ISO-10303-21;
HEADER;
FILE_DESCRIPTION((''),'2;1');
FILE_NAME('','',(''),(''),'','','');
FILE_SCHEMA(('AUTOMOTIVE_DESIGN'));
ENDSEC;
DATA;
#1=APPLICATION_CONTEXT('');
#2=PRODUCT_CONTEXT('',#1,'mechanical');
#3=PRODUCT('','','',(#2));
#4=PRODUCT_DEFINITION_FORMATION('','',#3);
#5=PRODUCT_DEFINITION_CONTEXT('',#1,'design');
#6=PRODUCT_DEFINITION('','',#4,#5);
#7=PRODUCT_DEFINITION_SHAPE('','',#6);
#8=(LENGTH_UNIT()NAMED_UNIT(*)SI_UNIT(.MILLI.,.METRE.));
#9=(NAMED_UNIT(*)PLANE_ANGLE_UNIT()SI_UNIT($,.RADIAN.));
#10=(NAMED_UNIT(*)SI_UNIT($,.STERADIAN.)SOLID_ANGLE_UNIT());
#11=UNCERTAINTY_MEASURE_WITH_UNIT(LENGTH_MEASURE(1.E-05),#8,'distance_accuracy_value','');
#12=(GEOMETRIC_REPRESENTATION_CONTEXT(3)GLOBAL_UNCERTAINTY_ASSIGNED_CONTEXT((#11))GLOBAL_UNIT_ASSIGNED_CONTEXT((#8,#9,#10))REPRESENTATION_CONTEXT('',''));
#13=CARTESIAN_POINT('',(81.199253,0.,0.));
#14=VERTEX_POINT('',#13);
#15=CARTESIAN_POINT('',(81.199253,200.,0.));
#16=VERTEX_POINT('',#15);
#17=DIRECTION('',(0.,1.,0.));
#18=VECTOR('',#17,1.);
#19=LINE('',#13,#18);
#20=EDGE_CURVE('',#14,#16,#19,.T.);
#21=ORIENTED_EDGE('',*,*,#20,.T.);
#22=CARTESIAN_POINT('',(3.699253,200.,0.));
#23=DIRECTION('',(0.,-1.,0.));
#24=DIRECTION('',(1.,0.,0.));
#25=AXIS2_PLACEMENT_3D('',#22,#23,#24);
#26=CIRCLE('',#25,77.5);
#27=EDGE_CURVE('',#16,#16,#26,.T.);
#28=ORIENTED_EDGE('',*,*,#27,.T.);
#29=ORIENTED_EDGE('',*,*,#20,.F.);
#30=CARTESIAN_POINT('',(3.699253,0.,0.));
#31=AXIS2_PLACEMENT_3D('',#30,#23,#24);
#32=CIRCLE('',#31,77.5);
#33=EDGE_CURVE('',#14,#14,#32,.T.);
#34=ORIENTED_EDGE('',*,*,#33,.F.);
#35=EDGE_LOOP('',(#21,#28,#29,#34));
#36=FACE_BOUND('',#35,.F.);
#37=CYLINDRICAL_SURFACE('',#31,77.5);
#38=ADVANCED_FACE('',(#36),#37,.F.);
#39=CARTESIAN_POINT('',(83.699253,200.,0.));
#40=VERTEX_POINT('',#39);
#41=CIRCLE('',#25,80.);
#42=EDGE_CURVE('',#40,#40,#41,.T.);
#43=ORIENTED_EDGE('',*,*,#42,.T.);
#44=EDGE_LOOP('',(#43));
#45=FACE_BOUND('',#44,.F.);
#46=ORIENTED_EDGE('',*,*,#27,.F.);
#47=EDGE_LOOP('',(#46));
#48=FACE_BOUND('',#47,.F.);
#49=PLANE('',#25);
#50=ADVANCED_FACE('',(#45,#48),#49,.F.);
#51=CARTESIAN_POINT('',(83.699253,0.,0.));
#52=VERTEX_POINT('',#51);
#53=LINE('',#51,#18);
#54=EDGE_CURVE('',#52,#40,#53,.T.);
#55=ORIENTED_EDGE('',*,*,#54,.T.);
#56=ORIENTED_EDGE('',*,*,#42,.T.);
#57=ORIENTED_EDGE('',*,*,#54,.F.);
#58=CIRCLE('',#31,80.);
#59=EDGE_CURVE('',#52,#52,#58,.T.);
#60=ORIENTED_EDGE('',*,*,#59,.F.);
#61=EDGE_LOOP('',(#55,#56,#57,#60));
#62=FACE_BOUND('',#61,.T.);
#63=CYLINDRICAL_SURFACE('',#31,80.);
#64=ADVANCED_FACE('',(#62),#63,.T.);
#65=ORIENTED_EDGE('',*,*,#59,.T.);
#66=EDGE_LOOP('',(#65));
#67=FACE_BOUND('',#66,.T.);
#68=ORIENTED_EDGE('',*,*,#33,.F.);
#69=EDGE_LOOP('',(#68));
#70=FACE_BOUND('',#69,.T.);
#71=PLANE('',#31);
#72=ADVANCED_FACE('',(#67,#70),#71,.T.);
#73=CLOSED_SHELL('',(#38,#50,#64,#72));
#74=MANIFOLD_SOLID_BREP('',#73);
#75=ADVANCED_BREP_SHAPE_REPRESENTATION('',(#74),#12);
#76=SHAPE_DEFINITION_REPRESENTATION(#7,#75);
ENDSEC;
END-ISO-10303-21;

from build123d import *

# Parameters (mm, degrees)
F0_R     = 80
F1_DEPTH = 200
F2_T     = -2.5


with BuildPart() as f1:
    # F0 (on Front) → F1 (new body)
    with BuildSketch(Plane.XZ):
        with Locations((3.699253, 0)):
            Circle(F0_R)
    extrude(amount=-F1_DEPTH)

    # F2
    f2_openings = [f1.faces().sort_by_distance(p)[0] for p in [
        (3.699253, 0, 0),
        (3.699253, 200, 0),
    ]]
    offset(amount=F2_T, openings=f2_openings)


solid = f1.part
